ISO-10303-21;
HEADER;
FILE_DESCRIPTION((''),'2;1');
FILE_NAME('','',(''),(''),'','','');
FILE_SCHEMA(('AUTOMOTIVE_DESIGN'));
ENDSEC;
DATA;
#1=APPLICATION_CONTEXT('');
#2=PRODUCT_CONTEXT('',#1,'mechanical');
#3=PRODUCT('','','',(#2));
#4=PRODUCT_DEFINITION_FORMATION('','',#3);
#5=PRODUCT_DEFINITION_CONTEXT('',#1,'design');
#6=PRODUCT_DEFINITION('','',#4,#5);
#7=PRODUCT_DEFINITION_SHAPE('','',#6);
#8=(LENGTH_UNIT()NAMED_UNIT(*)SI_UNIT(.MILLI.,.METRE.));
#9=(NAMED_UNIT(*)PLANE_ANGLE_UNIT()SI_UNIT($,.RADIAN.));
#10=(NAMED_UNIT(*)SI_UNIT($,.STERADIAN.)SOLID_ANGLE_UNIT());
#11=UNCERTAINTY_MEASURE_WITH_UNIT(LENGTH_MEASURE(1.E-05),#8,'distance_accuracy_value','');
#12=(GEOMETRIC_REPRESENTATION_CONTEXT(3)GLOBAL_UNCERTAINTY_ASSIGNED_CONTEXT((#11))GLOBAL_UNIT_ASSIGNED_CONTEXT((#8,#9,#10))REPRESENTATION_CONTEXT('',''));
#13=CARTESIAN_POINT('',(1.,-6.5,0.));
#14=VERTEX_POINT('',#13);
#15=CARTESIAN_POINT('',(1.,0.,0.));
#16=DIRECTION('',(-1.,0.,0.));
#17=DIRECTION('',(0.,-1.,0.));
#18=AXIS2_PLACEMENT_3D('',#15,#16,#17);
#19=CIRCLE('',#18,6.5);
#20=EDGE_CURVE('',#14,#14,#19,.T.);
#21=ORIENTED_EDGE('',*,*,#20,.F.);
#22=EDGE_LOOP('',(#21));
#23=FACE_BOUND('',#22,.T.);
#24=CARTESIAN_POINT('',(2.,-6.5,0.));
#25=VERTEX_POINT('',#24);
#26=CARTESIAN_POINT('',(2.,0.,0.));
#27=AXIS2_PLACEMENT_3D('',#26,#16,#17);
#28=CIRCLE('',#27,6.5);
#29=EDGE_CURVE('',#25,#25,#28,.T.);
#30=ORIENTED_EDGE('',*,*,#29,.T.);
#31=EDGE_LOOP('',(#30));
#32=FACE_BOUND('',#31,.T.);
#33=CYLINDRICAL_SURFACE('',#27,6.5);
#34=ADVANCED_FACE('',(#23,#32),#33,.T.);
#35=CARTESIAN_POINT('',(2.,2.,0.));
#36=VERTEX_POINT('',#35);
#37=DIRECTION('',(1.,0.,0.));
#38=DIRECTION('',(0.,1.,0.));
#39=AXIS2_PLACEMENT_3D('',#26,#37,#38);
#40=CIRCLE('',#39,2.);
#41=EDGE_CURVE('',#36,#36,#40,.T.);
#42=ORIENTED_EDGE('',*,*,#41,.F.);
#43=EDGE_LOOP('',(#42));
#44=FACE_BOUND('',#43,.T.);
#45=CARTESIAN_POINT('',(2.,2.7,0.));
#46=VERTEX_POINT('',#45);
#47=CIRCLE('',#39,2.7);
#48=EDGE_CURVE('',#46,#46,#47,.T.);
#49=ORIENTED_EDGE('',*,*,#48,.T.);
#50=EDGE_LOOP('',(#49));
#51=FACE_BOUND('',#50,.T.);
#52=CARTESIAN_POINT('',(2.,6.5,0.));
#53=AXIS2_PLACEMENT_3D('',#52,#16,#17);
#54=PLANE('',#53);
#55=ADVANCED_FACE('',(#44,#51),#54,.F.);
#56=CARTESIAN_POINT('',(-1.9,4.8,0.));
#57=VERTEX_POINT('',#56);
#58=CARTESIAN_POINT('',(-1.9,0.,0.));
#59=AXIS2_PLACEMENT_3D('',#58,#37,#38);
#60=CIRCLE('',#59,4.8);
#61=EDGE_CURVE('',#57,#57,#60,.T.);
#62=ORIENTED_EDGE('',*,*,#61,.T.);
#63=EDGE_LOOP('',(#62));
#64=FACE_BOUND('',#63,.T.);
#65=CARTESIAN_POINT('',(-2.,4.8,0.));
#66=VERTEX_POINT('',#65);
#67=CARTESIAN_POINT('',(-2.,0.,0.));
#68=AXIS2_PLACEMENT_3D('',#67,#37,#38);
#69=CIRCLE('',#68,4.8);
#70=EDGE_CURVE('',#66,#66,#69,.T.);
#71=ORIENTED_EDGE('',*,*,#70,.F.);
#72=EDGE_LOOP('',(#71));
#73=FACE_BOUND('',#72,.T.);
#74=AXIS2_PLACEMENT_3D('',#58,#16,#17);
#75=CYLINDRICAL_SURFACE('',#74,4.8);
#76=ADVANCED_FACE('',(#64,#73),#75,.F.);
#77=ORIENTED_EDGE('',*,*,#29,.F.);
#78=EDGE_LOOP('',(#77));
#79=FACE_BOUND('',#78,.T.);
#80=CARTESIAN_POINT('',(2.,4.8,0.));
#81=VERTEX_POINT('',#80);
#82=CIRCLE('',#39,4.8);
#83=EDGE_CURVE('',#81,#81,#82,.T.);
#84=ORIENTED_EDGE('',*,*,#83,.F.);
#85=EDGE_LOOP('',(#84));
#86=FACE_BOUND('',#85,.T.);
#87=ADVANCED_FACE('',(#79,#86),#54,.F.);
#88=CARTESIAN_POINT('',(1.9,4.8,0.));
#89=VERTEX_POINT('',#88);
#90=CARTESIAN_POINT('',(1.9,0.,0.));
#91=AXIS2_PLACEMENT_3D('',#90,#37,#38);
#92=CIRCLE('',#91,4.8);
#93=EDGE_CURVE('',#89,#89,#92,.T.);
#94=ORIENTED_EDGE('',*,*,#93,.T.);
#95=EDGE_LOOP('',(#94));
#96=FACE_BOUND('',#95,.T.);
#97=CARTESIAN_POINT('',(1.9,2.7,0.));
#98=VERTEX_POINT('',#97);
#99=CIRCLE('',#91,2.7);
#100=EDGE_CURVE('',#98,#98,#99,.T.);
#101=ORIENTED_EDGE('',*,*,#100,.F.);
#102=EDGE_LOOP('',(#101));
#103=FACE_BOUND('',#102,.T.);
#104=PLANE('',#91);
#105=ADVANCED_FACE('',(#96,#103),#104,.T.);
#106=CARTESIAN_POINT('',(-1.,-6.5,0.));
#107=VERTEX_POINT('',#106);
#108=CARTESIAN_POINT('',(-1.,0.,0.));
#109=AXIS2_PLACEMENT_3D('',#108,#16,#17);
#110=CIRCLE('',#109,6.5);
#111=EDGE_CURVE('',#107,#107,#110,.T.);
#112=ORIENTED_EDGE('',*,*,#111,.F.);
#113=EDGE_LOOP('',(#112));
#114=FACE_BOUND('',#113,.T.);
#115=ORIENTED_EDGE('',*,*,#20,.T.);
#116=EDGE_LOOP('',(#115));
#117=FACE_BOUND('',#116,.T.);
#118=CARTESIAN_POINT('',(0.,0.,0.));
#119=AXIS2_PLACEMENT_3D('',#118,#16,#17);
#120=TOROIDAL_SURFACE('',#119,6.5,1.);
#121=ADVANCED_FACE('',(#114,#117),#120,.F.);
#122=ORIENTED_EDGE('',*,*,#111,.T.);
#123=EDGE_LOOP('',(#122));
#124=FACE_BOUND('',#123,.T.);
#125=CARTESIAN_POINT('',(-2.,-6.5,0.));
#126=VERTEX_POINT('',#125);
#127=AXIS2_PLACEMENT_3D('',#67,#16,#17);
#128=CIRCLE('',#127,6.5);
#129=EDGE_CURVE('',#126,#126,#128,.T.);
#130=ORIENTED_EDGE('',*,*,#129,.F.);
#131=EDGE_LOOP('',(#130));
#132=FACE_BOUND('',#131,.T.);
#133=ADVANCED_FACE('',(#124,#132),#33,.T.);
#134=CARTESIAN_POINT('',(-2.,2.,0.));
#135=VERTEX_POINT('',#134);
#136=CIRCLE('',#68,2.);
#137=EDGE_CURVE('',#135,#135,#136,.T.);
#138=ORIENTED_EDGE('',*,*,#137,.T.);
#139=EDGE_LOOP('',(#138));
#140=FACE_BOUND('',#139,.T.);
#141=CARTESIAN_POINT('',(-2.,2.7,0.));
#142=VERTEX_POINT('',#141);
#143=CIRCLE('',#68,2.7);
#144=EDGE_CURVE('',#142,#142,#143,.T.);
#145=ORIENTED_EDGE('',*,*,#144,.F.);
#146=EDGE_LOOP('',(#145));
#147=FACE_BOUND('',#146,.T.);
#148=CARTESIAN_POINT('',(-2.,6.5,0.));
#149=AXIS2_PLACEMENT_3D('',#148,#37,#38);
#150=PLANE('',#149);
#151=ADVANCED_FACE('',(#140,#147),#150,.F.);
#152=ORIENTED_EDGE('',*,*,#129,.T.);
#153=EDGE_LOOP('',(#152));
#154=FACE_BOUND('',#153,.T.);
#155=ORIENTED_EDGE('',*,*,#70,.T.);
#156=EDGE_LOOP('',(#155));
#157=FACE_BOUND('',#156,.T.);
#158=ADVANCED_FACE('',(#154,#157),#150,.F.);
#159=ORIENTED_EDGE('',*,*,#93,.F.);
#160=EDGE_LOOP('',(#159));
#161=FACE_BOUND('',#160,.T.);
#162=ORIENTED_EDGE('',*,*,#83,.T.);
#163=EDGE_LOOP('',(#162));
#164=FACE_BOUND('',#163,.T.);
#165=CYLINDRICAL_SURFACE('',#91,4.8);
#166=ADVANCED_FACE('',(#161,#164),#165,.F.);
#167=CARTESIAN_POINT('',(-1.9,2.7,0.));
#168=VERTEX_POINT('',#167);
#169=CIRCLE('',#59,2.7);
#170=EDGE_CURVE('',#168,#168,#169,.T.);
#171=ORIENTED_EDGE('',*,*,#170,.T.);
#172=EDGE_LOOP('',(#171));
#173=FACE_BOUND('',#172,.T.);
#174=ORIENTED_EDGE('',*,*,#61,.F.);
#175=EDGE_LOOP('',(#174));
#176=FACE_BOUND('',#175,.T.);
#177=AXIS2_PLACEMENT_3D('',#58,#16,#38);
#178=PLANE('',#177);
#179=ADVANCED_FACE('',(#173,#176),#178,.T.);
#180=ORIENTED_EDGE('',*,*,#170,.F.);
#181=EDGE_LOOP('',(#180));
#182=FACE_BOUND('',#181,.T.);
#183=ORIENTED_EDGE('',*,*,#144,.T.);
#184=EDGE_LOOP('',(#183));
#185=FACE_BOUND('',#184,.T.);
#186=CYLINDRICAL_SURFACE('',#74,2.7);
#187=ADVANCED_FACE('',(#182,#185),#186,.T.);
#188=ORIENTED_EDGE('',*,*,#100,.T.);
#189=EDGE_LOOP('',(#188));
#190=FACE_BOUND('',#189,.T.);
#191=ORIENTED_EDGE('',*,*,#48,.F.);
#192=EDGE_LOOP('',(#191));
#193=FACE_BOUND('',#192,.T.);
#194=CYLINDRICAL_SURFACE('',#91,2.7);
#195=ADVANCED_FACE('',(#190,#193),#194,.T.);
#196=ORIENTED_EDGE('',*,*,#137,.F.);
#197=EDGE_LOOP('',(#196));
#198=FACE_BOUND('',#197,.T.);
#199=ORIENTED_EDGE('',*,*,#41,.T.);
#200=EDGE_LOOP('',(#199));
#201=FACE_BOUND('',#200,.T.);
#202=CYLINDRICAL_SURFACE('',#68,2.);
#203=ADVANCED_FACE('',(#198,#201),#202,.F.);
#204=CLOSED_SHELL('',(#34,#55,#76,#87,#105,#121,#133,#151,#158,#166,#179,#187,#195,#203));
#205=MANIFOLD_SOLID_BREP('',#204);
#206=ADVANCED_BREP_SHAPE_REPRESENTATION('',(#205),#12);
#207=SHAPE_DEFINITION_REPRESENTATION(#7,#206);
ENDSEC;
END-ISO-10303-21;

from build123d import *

# Parameters (mm, degrees)
SKETCH2_R          = 2
CUT_EXTRUDE1_DEPTH = 11.024968828
SKETCH3_R          = 4.8
SKETCH3_R_2        = 2.7
CUT_EXTRUDE2_DEPTH = 0.1


with BuildPart() as part:
    # Sketch1 → Revolve1 (revolve)
    with BuildSketch(Plane.XY, mode=Mode.PRIVATE) as revolve1_sk:
        with BuildLine():
            Line((1, 6.5), (2, 6.5))
            Line((2, 6.5), (2, 0))
            Line((2, 0), (-2, 0))
            Line((-2, 0), (-2, 6.5))
            Line((-2, 6.5), (-1, 6.5))
            ThreePointArc((-1, 6.5), (0, 5.5), (1, 6.5))
        make_face()
    revolve(revolve1_sk.sketch.rotate(Axis((2, 0, 0), (1, 0, 0)), 180), axis=Axis((2, 0, 0), (1, 0, 0)))

    # Sketch2 → Cut-Extrude1 (cut, through all)
    with BuildSketch(Plane(origin=(2, 0, 0), x_dir=(0, 0, -1), z_dir=(1, 0, 0))):
        with Locations(Location((0, 0, 0), (0, 0, 90))):
            Circle(SKETCH2_R)
    extrude(amount=-CUT_EXTRUDE1_DEPTH, mode=Mode.SUBTRACT)

    # Sketch3 → Cut-Extrude2 (cut)
    with BuildSketch(Plane(origin=(2, 0, 0), x_dir=(0, 0, -1), z_dir=(1, 0, 0))):
        with Locations(Location((0, 0, 0), (0, 0, 90))):
            Circle(SKETCH3_R)
        with Locations(Location((0, 0, 0), (0, 0, 90))):
            Circle(SKETCH3_R_2, mode=Mode.SUBTRACT)
    cut_extrude2 = extrude(amount=-CUT_EXTRUDE2_DEPTH, mode=Mode.SUBTRACT)

    # Mirror1: Cut-Extrude2 across plane
    add(cut_extrude2.mirror(Plane(origin=(0, 0, 0), x_dir=(0, 0, 1), z_dir=(1, 0, 0))), mode=Mode.SUBTRACT)


solid = part.part
